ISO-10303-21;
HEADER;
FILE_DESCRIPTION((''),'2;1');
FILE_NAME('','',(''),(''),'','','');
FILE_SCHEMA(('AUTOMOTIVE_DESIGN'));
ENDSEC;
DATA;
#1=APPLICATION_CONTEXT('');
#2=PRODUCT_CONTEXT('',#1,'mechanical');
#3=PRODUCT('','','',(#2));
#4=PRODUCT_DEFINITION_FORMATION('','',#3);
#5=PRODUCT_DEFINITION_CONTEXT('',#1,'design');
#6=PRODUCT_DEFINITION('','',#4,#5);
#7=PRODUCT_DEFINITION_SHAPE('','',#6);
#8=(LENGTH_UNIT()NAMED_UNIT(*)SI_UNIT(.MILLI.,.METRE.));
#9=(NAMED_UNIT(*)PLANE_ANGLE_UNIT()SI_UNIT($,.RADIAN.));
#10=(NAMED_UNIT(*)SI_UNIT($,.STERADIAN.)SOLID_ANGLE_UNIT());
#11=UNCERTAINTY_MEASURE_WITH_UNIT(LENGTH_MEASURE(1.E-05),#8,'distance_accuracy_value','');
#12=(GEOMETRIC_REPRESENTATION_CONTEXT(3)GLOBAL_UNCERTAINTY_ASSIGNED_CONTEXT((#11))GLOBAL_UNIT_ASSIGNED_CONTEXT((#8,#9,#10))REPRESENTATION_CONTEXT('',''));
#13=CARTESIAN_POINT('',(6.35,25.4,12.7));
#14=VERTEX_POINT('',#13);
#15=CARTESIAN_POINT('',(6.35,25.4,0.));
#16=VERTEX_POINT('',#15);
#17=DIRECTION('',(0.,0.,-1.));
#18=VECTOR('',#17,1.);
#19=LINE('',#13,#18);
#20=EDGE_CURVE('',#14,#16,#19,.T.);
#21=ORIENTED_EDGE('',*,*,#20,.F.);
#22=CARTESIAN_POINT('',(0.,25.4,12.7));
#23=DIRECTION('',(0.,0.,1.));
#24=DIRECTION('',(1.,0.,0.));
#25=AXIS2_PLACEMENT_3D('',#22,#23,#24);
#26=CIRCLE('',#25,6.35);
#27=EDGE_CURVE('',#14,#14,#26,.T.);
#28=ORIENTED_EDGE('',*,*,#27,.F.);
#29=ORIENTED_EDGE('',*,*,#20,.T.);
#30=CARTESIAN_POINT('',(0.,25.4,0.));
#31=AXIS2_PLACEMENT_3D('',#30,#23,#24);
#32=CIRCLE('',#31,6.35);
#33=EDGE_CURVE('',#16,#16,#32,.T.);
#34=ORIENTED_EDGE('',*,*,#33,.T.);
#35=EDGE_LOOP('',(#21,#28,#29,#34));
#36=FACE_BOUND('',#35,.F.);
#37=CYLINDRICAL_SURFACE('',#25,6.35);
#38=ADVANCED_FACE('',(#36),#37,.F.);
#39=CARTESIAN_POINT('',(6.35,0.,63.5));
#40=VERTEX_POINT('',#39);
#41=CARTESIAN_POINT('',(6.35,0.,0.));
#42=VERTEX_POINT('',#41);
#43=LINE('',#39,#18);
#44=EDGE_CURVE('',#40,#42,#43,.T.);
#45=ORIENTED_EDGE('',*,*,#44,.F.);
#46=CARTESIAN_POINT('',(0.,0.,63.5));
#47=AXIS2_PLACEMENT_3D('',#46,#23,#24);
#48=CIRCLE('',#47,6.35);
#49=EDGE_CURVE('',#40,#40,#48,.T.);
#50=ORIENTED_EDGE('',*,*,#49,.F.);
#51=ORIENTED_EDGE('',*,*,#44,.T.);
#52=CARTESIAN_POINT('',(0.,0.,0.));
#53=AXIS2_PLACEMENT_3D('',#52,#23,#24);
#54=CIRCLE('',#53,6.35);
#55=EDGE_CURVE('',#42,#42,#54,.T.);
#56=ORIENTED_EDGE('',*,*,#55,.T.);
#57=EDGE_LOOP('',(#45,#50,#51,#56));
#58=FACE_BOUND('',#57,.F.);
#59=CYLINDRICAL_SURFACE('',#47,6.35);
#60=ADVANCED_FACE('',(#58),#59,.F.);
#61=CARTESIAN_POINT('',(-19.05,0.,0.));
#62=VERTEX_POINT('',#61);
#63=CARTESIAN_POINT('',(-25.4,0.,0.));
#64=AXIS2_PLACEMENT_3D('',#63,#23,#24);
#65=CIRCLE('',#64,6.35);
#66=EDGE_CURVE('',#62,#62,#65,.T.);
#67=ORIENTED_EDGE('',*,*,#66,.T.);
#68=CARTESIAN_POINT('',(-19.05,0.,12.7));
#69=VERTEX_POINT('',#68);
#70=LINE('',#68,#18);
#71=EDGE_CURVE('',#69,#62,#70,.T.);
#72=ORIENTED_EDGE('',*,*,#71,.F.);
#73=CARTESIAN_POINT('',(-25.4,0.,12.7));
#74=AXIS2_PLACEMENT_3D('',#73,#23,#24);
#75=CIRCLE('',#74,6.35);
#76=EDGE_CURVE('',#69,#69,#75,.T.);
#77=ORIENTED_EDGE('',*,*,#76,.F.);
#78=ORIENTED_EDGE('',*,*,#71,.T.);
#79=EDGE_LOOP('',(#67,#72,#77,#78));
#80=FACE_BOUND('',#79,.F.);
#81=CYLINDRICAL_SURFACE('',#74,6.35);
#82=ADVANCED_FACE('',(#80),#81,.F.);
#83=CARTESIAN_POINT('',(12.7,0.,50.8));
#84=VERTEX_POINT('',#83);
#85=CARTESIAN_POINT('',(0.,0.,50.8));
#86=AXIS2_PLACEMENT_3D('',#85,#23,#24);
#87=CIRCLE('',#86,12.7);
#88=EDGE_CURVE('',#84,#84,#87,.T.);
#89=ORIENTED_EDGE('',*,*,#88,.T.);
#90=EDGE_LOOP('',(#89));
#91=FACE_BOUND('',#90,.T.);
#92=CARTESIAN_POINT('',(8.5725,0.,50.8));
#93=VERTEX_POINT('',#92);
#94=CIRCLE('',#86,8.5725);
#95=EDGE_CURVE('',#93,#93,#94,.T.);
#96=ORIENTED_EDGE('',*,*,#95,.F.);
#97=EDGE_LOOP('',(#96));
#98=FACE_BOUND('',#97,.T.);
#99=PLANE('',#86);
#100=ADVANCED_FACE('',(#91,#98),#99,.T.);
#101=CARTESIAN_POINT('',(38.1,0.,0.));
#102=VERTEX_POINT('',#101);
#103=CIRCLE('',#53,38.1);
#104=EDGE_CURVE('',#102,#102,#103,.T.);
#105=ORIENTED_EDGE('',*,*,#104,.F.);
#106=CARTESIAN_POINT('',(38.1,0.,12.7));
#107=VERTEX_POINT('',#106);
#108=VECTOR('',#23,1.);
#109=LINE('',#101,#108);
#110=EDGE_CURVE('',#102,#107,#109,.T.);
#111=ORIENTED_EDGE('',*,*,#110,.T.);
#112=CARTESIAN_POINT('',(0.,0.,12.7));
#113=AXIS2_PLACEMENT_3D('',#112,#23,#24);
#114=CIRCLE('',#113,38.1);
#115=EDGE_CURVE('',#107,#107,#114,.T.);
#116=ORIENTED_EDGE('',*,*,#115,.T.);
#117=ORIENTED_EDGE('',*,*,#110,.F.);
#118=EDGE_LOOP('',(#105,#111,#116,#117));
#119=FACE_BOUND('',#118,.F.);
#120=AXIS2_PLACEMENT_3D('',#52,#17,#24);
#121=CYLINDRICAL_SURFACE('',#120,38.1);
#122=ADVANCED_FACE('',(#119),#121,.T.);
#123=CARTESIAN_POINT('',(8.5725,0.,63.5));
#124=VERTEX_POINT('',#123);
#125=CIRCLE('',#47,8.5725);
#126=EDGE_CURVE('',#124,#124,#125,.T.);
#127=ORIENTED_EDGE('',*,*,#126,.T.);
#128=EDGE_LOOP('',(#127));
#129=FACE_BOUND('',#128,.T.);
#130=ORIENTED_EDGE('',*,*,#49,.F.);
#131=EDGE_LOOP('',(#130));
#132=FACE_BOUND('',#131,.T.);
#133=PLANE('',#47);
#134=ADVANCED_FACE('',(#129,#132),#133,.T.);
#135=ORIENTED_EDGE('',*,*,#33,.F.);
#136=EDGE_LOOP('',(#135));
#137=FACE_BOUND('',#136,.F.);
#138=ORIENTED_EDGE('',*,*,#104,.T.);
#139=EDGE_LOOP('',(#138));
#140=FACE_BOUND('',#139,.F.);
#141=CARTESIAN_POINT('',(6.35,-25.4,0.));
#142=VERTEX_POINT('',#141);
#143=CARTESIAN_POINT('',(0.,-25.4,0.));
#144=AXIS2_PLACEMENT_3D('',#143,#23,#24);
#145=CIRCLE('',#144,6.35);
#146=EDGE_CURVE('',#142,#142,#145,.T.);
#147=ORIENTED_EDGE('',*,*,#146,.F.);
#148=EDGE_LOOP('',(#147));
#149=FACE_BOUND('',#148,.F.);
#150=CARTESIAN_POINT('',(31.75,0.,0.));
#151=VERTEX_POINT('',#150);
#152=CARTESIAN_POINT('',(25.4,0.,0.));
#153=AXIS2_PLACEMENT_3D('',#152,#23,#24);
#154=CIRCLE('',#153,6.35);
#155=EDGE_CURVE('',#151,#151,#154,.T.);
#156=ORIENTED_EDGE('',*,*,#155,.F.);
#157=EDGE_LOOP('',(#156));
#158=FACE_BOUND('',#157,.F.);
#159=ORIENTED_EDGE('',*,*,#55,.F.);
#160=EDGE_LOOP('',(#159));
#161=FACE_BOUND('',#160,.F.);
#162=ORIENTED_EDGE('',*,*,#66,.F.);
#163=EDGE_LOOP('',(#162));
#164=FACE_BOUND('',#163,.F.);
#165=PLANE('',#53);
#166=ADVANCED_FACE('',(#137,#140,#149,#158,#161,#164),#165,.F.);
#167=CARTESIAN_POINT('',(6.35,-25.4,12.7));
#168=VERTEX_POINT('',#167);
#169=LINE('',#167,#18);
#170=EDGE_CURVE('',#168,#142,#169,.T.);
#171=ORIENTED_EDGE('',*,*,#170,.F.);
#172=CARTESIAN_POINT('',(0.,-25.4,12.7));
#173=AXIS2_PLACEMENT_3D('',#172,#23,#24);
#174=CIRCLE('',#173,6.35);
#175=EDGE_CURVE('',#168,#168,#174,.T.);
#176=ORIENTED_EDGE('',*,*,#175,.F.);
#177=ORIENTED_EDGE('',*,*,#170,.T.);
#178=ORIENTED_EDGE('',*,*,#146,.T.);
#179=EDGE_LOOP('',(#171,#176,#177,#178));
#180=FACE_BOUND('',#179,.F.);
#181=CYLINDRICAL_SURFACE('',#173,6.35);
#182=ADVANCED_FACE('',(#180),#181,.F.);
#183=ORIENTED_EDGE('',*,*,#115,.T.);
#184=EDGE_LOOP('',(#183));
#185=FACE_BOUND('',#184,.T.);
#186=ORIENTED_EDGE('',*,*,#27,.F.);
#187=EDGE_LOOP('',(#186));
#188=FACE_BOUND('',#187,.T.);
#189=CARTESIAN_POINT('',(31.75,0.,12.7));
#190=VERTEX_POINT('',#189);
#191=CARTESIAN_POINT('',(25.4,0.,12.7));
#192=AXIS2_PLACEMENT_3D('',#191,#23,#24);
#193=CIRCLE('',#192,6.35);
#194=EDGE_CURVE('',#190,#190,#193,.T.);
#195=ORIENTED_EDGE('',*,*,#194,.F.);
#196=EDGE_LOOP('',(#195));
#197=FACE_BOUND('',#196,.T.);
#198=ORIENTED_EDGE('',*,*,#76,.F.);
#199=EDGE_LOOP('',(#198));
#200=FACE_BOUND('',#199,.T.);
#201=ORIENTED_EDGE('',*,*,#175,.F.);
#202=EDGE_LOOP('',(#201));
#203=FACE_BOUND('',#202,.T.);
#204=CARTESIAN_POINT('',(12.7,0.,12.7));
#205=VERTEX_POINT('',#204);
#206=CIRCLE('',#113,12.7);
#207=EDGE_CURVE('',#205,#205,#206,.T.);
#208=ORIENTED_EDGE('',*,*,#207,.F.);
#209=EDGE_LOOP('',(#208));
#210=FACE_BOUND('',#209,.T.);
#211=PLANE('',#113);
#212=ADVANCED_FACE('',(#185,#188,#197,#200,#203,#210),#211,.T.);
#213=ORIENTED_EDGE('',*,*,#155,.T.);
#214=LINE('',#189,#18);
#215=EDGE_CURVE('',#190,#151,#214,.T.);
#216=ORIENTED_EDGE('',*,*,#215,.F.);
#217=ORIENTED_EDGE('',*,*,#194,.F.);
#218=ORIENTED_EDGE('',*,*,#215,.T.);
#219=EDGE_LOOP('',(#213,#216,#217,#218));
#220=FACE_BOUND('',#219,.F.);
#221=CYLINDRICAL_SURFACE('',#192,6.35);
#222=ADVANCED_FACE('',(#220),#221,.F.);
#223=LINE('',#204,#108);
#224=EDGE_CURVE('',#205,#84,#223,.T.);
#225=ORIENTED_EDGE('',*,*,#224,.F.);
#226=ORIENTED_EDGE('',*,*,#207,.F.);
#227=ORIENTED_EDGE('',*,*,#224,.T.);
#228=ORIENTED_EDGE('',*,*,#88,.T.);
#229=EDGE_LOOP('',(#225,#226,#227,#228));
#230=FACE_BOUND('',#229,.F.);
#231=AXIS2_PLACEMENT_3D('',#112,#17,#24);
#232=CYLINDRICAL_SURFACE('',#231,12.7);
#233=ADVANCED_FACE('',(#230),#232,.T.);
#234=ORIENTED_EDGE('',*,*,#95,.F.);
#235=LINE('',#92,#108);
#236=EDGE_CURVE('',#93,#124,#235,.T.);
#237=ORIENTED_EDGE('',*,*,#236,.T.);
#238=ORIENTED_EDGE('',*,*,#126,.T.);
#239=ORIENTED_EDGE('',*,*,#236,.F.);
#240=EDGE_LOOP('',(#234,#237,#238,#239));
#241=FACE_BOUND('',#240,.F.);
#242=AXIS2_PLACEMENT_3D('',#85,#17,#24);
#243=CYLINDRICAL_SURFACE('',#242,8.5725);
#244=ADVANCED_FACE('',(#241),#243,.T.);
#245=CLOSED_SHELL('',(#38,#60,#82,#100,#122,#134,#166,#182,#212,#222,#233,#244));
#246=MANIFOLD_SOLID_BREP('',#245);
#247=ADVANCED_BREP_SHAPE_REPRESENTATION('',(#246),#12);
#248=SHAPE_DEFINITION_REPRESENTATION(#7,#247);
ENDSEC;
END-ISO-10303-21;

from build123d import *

# Parameters (mm, degrees)
F0_R     = 38.1
F1_DEPTH = 12.7
F2_R     = 6.35
F3_DEPTH = 12.701
F4_R     = 12.7
F5_DEPTH = 38.1
F6_R     = 8.5725
F7_DEPTH = 12.7
F8_R     = 6.35
F9_DEPTH = 63.501


with BuildPart() as f1:
    # F0 (on Top) → F1 (new body)
    with BuildSketch(Plane.XY):
        Circle(F0_R)
    extrude(amount=F1_DEPTH)

    # F2 (on face) → F3 (cut, through all)
    with BuildSketch(Plane.XY.offset(12.7)):
        with Locations((0, 25.4)):
            Circle(F2_R)
        with Locations((25.4, 0)):
            Circle(F2_R)
        with Locations((0, -25.4)):
            Circle(F2_R)
        with Locations((-25.4, 0)):
            Circle(F2_R)
    extrude(amount=-F3_DEPTH, mode=Mode.SUBTRACT)

    # F4 (on face) → F5 (join)
    with BuildSketch(Plane.XY.offset(12.7)):
        Circle(F4_R)
    extrude(amount=F5_DEPTH)

    # F6 (on face) → F7 (join)
    with BuildSketch(Plane.XY.offset(50.8)):
        Circle(F6_R)
    extrude(amount=F7_DEPTH)

    # F8 (on face) → F9 (cut, through all)
    with BuildSketch(Plane.XY.offset(63.5)):
        Circle(F8_R)
    extrude(amount=-F9_DEPTH, mode=Mode.SUBTRACT)


solid = f1.part
